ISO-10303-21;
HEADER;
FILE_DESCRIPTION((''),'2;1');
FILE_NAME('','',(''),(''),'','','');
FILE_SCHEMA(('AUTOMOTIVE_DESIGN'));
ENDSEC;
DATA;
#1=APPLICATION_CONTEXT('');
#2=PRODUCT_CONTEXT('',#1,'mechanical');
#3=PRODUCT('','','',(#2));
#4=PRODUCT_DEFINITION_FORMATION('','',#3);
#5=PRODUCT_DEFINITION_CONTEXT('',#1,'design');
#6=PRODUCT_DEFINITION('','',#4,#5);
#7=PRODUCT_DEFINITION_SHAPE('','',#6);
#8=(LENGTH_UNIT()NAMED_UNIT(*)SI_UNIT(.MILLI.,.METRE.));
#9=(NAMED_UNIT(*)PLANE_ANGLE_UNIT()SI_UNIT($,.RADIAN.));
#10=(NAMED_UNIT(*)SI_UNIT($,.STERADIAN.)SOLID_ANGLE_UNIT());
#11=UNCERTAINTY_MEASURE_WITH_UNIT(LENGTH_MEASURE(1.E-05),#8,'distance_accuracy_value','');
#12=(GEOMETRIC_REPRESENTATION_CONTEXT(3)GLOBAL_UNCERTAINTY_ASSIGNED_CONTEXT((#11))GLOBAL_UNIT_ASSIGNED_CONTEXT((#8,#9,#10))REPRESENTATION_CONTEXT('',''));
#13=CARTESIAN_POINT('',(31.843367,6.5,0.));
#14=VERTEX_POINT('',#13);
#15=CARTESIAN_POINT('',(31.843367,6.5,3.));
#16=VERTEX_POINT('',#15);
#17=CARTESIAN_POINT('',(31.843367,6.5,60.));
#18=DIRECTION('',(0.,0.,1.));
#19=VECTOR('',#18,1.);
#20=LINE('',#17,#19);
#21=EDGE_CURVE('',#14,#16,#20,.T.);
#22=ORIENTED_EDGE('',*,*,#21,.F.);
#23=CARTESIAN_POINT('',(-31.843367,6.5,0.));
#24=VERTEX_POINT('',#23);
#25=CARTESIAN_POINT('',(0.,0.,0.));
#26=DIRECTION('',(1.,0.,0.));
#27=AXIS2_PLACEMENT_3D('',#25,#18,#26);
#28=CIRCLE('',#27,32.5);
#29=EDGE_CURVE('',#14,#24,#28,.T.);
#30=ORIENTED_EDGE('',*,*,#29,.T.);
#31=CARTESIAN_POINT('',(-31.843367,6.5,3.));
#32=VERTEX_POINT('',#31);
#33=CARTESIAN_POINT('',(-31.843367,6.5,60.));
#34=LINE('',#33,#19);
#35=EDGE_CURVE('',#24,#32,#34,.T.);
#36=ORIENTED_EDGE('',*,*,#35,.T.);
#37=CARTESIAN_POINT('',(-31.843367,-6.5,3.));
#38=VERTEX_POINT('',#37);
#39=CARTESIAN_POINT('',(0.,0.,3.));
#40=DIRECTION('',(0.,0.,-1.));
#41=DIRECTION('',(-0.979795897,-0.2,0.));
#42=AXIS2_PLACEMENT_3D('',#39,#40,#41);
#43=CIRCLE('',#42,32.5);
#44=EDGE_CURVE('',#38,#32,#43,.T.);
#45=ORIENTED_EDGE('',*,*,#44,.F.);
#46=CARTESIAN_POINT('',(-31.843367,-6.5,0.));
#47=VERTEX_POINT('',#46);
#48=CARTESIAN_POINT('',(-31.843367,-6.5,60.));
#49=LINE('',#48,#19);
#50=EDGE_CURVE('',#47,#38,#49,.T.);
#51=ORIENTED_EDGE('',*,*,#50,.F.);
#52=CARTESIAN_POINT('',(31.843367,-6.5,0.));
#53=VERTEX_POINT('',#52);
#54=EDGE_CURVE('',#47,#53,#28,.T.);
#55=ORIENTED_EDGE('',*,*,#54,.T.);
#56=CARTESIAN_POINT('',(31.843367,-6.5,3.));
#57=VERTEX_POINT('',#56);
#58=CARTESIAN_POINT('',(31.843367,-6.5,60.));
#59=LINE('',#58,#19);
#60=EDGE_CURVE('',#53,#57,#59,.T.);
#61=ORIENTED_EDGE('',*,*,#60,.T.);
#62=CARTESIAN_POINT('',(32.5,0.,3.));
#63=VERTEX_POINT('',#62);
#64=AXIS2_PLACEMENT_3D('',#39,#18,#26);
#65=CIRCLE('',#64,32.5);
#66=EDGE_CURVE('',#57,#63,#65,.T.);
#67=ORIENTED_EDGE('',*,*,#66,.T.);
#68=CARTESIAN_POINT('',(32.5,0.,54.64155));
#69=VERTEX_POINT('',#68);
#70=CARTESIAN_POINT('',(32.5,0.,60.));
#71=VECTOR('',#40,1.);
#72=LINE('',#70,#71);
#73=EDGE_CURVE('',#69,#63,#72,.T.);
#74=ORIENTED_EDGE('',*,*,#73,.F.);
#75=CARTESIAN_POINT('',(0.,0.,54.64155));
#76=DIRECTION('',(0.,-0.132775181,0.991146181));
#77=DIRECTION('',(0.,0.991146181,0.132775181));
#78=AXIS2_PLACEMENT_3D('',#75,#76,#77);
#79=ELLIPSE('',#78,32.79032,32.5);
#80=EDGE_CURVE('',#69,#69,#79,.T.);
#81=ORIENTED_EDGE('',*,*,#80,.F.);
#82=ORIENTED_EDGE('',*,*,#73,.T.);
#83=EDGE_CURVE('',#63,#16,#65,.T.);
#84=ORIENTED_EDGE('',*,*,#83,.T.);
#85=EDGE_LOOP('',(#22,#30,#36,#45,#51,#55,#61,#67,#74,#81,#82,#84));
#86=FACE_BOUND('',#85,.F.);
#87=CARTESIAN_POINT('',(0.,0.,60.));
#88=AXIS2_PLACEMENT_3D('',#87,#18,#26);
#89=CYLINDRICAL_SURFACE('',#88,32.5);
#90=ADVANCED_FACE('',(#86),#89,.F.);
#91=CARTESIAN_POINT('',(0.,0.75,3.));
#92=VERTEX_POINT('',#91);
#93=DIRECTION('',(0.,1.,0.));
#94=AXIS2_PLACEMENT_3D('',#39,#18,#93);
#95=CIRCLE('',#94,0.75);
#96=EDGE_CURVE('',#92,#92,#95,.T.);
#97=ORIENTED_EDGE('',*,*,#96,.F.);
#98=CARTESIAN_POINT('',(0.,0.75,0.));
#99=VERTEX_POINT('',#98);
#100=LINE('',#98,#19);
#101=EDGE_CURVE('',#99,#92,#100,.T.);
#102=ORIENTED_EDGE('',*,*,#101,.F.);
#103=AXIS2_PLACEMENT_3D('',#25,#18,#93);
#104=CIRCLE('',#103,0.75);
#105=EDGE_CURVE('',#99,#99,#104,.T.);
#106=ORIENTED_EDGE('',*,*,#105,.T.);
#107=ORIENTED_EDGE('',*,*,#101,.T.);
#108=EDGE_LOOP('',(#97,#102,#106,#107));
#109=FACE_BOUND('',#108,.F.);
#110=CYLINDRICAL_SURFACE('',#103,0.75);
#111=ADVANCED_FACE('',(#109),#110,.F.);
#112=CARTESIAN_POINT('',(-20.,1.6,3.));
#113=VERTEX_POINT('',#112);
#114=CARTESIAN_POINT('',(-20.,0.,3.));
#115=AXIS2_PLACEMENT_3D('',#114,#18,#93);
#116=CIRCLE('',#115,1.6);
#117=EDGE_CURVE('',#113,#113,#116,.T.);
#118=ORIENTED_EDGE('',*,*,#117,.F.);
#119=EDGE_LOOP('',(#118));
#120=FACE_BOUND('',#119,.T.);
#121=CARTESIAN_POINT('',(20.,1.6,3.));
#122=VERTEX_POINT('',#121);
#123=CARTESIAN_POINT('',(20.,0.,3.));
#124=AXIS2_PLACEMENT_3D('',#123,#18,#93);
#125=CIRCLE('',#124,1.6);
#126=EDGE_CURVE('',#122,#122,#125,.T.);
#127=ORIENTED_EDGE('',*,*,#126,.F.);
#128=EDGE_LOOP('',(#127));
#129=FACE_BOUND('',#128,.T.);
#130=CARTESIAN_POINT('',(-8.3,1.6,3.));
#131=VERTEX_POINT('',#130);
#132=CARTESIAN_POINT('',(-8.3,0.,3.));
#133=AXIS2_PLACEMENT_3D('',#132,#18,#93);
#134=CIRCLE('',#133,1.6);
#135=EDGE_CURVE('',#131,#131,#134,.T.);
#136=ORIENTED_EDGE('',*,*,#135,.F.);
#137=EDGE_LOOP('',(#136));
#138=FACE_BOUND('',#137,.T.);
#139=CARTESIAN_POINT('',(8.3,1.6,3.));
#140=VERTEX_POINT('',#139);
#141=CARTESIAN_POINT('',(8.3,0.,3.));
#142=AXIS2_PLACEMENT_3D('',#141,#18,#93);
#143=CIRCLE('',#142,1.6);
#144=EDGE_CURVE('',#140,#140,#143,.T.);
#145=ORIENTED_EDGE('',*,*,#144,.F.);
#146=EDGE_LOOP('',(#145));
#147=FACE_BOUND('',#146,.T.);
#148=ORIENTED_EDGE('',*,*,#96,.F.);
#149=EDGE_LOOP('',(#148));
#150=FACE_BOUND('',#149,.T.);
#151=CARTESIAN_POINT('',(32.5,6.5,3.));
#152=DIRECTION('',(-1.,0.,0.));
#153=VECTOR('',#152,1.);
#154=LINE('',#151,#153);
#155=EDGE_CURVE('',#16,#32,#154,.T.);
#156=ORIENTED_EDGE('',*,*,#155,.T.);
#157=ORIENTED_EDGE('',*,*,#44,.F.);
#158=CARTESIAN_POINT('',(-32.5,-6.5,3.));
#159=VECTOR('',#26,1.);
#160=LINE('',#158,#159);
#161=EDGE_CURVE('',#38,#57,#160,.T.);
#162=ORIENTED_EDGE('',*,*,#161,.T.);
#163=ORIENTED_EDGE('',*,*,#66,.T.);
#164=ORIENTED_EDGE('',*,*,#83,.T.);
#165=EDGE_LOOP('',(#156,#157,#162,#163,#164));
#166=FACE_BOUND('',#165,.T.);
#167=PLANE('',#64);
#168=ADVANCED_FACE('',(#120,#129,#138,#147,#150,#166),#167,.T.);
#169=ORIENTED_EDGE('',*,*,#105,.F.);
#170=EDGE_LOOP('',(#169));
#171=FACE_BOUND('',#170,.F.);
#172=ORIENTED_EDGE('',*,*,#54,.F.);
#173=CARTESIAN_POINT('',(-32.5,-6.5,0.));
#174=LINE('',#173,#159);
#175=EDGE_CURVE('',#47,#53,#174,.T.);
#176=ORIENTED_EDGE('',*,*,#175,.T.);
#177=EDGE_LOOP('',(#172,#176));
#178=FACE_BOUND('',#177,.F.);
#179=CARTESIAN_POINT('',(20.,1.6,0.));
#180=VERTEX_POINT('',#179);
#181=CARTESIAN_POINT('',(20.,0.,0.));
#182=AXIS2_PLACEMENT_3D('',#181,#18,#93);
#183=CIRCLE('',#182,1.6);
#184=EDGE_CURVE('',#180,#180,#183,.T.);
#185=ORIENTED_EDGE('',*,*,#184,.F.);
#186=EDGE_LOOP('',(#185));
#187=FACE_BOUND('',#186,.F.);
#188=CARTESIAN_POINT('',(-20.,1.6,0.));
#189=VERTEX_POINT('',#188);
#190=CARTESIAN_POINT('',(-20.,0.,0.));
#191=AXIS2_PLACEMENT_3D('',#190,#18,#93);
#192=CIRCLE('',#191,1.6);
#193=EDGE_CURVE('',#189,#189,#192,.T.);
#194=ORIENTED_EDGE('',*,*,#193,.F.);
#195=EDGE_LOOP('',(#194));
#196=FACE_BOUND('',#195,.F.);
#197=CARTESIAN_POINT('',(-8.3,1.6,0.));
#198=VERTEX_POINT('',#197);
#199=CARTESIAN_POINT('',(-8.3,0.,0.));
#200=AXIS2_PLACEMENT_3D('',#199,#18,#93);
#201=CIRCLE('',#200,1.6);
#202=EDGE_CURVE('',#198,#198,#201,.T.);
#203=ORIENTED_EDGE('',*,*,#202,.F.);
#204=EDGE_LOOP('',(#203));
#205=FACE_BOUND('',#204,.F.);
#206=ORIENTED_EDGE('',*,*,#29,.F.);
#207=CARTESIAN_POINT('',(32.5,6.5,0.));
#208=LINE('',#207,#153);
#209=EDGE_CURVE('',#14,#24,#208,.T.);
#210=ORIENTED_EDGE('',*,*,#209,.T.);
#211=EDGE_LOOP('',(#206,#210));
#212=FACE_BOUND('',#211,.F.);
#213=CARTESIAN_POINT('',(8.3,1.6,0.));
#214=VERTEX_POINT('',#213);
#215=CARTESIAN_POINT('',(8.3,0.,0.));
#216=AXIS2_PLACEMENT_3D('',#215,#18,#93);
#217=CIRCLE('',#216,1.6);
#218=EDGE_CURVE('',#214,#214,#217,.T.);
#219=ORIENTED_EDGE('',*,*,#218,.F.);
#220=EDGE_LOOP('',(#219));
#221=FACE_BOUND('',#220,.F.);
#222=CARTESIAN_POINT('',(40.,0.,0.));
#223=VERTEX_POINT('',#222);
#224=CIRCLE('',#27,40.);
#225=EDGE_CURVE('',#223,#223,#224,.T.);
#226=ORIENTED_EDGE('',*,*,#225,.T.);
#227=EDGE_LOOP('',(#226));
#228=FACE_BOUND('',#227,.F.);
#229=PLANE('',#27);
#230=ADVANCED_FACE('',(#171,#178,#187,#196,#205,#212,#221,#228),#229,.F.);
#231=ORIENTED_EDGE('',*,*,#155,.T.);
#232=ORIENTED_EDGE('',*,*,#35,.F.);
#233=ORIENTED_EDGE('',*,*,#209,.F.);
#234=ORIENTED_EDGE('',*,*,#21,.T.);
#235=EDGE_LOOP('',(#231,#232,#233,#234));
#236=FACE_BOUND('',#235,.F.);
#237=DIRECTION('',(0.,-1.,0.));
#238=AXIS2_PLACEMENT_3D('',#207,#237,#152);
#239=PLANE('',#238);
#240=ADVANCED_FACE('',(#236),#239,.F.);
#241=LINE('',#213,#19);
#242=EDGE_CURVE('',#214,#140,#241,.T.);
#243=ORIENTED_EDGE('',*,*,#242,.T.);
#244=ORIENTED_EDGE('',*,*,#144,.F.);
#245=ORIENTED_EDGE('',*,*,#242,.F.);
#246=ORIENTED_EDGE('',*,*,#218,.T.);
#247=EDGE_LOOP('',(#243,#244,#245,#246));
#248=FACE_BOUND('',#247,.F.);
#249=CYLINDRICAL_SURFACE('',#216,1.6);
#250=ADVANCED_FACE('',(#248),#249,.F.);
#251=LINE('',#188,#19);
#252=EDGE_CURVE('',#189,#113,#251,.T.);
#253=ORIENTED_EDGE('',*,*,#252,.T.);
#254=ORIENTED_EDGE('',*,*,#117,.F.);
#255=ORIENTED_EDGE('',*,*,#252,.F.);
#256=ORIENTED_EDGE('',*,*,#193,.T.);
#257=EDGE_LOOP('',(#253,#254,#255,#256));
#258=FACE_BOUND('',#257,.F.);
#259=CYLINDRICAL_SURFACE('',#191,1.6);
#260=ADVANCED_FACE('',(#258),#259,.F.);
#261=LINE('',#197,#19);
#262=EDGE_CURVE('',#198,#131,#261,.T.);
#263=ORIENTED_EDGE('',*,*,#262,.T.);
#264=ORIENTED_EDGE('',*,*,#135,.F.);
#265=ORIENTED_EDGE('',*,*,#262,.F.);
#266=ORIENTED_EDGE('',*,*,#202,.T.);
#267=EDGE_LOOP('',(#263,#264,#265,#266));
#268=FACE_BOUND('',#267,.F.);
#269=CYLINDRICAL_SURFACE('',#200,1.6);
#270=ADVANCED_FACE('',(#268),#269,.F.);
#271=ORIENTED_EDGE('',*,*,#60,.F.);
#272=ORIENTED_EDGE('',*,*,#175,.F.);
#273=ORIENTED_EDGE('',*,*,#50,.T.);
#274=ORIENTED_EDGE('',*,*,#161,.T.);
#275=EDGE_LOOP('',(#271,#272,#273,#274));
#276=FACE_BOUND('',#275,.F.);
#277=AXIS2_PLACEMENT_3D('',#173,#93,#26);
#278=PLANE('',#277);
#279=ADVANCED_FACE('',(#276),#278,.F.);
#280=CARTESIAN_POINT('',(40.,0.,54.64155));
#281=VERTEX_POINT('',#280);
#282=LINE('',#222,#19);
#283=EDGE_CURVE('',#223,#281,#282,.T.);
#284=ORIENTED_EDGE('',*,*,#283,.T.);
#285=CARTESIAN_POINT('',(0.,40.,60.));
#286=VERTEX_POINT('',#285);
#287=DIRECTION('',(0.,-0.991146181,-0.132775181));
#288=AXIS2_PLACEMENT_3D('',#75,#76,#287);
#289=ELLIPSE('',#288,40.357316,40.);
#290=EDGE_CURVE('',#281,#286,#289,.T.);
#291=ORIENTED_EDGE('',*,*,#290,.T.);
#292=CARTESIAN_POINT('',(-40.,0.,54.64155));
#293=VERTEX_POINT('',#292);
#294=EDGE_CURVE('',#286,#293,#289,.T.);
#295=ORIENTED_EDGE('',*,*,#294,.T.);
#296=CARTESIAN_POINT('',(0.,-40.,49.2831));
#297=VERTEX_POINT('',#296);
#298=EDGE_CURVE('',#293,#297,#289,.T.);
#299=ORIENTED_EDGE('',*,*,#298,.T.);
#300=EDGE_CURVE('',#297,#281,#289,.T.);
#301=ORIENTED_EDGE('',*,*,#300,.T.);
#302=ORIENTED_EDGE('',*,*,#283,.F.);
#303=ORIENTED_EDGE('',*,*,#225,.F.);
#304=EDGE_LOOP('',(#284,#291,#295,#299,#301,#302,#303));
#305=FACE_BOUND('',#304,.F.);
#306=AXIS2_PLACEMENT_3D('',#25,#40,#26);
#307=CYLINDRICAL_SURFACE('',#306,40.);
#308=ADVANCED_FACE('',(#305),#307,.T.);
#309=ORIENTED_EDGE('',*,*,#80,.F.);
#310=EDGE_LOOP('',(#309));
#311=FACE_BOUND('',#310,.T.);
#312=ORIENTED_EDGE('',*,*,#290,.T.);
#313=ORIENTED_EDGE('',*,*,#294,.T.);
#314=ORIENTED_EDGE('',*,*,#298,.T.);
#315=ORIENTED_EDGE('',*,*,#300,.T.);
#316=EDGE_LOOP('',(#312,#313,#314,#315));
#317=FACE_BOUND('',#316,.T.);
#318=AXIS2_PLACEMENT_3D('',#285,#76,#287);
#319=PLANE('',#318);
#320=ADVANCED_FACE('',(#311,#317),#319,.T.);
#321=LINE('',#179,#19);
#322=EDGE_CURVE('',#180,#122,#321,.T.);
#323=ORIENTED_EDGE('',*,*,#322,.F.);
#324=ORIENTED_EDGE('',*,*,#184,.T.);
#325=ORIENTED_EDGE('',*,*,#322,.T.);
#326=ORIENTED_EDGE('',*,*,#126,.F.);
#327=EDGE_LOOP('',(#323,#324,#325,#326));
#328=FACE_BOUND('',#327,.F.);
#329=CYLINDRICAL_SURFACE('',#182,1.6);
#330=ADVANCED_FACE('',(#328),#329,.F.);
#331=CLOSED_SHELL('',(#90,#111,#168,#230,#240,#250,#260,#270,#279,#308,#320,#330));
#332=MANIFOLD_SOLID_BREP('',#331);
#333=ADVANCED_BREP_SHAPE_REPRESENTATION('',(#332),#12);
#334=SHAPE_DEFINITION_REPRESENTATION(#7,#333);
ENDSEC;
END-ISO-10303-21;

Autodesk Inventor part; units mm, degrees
ref_plane "YZ Plane" through (0, 0, 0) normal (1, 0, 0) x (0, 1, 0)
ref_plane "XZ Plane" through (0, 0, 0) normal (0, 1, 0) x (-1, 0, 0)
ref_plane "XY Plane" through (0, 0, 0) normal (0, 0, 1) x (1, 0, 0)
sketch "スケッチ1" plane through (0, 0, 0) normal (0, 0, 1) x (1, 0, 0)
  circle A0 centre (0, 0) radius 40
  dimension "d0" = 80
extrude "押し出し1" add sketch "スケッチ1" along normal blind 60
sketch "スケッチ2" plane through (0, 0, 60) normal (0, 0, 1) x (1, 0, 0)
  circle A0 centre (0, 0) radius 32.5
  dimension "d3" = 65
extrude "押し出し2" cut sketch "スケッチ2" against normal blind 60
sketch "スケッチ3" plane through (0, 0, 0) normal (1, 0, 0) x (0, 1, 0)
  line L0 (40, 0) -> (40, 60) projected
  line L1 (40, 60) -> (-40, 49.2831)
  line L2 (-40, 0) -> (-40, 60) projected
  line L3 (40, 60) -> (-40, 60) projected
  line L4 (40, 60) -> (-40, 60)
  line L5 (-40, 60) -> (-40, 49.2831)
  point P0 (0, 0)
extrude "押し出し3" cut sketch "スケッチ3" against normal mid plane 80
sketch "スケッチ4" plane through (0, 0, 0) normal (0, 0, 1) x (1, 0, 0)
  line L0 (-32.5, -6.5) -> (32.5, -6.5)
  line L1 (32.5, -6.5) -> (32.5, 6.5)
  line L2 (32.5, 6.5) -> (-32.5, 6.5)
  line L3 (-32.5, 6.5) -> (-32.5, -6.5)
  line L4 (-32.5, -6.5) -> (32.5, 6.5) construction
  line L5 (32.5, -6.5) -> (-32.5, 6.5) construction
  point P0 (0, 0)
  dimension "d8" = 13
  dimension "d9" = 65
extrude "押し出し4" add sketch "スケッチ4" along normal blind 3
sketch "スケッチ5" plane through (0, 0, 0) normal (0, 0, -1) x (-1, 0, 0)
  point P0 (0, 0)
  point P1 (-20, 0)
  point P2 (20, 0)
  dimension "d12" = 20
  dimension "d13" = 20
hole "穴1" at (20, 0, 0) at (-20, 0, 0) direction (0, 0, 1) diameter 3.2 depth 15 tip angle 118
sketch "スケッチ6" plane through (0, 0, 0) normal (0, 0, -1) x (-1, 0, 0)
  point P0 (0, 0)
  point P1 (0, 0)
hole "穴2" at (0, 0, 0) direction (0, 0, 1) diameter 1.5 depth 15 tip angle 118
sketch "スケッチ7" plane through (0, 0, 0) normal (0, 0, -1) x (-1, 0, 0)
  point P0 (0, 0)
  point P1 (-8.3, 0)
  point P2 (8.3, 0)
  dimension "d28" = 8.3
  dimension "d29" = 8.3
hole "穴3" at (8.3, 0, 0) at (-8.3, 0, 0) direction (0, 0, 1) diameter 3.2 depth 8.8 tip angle 118
properties part number "20220612_仮筒"
